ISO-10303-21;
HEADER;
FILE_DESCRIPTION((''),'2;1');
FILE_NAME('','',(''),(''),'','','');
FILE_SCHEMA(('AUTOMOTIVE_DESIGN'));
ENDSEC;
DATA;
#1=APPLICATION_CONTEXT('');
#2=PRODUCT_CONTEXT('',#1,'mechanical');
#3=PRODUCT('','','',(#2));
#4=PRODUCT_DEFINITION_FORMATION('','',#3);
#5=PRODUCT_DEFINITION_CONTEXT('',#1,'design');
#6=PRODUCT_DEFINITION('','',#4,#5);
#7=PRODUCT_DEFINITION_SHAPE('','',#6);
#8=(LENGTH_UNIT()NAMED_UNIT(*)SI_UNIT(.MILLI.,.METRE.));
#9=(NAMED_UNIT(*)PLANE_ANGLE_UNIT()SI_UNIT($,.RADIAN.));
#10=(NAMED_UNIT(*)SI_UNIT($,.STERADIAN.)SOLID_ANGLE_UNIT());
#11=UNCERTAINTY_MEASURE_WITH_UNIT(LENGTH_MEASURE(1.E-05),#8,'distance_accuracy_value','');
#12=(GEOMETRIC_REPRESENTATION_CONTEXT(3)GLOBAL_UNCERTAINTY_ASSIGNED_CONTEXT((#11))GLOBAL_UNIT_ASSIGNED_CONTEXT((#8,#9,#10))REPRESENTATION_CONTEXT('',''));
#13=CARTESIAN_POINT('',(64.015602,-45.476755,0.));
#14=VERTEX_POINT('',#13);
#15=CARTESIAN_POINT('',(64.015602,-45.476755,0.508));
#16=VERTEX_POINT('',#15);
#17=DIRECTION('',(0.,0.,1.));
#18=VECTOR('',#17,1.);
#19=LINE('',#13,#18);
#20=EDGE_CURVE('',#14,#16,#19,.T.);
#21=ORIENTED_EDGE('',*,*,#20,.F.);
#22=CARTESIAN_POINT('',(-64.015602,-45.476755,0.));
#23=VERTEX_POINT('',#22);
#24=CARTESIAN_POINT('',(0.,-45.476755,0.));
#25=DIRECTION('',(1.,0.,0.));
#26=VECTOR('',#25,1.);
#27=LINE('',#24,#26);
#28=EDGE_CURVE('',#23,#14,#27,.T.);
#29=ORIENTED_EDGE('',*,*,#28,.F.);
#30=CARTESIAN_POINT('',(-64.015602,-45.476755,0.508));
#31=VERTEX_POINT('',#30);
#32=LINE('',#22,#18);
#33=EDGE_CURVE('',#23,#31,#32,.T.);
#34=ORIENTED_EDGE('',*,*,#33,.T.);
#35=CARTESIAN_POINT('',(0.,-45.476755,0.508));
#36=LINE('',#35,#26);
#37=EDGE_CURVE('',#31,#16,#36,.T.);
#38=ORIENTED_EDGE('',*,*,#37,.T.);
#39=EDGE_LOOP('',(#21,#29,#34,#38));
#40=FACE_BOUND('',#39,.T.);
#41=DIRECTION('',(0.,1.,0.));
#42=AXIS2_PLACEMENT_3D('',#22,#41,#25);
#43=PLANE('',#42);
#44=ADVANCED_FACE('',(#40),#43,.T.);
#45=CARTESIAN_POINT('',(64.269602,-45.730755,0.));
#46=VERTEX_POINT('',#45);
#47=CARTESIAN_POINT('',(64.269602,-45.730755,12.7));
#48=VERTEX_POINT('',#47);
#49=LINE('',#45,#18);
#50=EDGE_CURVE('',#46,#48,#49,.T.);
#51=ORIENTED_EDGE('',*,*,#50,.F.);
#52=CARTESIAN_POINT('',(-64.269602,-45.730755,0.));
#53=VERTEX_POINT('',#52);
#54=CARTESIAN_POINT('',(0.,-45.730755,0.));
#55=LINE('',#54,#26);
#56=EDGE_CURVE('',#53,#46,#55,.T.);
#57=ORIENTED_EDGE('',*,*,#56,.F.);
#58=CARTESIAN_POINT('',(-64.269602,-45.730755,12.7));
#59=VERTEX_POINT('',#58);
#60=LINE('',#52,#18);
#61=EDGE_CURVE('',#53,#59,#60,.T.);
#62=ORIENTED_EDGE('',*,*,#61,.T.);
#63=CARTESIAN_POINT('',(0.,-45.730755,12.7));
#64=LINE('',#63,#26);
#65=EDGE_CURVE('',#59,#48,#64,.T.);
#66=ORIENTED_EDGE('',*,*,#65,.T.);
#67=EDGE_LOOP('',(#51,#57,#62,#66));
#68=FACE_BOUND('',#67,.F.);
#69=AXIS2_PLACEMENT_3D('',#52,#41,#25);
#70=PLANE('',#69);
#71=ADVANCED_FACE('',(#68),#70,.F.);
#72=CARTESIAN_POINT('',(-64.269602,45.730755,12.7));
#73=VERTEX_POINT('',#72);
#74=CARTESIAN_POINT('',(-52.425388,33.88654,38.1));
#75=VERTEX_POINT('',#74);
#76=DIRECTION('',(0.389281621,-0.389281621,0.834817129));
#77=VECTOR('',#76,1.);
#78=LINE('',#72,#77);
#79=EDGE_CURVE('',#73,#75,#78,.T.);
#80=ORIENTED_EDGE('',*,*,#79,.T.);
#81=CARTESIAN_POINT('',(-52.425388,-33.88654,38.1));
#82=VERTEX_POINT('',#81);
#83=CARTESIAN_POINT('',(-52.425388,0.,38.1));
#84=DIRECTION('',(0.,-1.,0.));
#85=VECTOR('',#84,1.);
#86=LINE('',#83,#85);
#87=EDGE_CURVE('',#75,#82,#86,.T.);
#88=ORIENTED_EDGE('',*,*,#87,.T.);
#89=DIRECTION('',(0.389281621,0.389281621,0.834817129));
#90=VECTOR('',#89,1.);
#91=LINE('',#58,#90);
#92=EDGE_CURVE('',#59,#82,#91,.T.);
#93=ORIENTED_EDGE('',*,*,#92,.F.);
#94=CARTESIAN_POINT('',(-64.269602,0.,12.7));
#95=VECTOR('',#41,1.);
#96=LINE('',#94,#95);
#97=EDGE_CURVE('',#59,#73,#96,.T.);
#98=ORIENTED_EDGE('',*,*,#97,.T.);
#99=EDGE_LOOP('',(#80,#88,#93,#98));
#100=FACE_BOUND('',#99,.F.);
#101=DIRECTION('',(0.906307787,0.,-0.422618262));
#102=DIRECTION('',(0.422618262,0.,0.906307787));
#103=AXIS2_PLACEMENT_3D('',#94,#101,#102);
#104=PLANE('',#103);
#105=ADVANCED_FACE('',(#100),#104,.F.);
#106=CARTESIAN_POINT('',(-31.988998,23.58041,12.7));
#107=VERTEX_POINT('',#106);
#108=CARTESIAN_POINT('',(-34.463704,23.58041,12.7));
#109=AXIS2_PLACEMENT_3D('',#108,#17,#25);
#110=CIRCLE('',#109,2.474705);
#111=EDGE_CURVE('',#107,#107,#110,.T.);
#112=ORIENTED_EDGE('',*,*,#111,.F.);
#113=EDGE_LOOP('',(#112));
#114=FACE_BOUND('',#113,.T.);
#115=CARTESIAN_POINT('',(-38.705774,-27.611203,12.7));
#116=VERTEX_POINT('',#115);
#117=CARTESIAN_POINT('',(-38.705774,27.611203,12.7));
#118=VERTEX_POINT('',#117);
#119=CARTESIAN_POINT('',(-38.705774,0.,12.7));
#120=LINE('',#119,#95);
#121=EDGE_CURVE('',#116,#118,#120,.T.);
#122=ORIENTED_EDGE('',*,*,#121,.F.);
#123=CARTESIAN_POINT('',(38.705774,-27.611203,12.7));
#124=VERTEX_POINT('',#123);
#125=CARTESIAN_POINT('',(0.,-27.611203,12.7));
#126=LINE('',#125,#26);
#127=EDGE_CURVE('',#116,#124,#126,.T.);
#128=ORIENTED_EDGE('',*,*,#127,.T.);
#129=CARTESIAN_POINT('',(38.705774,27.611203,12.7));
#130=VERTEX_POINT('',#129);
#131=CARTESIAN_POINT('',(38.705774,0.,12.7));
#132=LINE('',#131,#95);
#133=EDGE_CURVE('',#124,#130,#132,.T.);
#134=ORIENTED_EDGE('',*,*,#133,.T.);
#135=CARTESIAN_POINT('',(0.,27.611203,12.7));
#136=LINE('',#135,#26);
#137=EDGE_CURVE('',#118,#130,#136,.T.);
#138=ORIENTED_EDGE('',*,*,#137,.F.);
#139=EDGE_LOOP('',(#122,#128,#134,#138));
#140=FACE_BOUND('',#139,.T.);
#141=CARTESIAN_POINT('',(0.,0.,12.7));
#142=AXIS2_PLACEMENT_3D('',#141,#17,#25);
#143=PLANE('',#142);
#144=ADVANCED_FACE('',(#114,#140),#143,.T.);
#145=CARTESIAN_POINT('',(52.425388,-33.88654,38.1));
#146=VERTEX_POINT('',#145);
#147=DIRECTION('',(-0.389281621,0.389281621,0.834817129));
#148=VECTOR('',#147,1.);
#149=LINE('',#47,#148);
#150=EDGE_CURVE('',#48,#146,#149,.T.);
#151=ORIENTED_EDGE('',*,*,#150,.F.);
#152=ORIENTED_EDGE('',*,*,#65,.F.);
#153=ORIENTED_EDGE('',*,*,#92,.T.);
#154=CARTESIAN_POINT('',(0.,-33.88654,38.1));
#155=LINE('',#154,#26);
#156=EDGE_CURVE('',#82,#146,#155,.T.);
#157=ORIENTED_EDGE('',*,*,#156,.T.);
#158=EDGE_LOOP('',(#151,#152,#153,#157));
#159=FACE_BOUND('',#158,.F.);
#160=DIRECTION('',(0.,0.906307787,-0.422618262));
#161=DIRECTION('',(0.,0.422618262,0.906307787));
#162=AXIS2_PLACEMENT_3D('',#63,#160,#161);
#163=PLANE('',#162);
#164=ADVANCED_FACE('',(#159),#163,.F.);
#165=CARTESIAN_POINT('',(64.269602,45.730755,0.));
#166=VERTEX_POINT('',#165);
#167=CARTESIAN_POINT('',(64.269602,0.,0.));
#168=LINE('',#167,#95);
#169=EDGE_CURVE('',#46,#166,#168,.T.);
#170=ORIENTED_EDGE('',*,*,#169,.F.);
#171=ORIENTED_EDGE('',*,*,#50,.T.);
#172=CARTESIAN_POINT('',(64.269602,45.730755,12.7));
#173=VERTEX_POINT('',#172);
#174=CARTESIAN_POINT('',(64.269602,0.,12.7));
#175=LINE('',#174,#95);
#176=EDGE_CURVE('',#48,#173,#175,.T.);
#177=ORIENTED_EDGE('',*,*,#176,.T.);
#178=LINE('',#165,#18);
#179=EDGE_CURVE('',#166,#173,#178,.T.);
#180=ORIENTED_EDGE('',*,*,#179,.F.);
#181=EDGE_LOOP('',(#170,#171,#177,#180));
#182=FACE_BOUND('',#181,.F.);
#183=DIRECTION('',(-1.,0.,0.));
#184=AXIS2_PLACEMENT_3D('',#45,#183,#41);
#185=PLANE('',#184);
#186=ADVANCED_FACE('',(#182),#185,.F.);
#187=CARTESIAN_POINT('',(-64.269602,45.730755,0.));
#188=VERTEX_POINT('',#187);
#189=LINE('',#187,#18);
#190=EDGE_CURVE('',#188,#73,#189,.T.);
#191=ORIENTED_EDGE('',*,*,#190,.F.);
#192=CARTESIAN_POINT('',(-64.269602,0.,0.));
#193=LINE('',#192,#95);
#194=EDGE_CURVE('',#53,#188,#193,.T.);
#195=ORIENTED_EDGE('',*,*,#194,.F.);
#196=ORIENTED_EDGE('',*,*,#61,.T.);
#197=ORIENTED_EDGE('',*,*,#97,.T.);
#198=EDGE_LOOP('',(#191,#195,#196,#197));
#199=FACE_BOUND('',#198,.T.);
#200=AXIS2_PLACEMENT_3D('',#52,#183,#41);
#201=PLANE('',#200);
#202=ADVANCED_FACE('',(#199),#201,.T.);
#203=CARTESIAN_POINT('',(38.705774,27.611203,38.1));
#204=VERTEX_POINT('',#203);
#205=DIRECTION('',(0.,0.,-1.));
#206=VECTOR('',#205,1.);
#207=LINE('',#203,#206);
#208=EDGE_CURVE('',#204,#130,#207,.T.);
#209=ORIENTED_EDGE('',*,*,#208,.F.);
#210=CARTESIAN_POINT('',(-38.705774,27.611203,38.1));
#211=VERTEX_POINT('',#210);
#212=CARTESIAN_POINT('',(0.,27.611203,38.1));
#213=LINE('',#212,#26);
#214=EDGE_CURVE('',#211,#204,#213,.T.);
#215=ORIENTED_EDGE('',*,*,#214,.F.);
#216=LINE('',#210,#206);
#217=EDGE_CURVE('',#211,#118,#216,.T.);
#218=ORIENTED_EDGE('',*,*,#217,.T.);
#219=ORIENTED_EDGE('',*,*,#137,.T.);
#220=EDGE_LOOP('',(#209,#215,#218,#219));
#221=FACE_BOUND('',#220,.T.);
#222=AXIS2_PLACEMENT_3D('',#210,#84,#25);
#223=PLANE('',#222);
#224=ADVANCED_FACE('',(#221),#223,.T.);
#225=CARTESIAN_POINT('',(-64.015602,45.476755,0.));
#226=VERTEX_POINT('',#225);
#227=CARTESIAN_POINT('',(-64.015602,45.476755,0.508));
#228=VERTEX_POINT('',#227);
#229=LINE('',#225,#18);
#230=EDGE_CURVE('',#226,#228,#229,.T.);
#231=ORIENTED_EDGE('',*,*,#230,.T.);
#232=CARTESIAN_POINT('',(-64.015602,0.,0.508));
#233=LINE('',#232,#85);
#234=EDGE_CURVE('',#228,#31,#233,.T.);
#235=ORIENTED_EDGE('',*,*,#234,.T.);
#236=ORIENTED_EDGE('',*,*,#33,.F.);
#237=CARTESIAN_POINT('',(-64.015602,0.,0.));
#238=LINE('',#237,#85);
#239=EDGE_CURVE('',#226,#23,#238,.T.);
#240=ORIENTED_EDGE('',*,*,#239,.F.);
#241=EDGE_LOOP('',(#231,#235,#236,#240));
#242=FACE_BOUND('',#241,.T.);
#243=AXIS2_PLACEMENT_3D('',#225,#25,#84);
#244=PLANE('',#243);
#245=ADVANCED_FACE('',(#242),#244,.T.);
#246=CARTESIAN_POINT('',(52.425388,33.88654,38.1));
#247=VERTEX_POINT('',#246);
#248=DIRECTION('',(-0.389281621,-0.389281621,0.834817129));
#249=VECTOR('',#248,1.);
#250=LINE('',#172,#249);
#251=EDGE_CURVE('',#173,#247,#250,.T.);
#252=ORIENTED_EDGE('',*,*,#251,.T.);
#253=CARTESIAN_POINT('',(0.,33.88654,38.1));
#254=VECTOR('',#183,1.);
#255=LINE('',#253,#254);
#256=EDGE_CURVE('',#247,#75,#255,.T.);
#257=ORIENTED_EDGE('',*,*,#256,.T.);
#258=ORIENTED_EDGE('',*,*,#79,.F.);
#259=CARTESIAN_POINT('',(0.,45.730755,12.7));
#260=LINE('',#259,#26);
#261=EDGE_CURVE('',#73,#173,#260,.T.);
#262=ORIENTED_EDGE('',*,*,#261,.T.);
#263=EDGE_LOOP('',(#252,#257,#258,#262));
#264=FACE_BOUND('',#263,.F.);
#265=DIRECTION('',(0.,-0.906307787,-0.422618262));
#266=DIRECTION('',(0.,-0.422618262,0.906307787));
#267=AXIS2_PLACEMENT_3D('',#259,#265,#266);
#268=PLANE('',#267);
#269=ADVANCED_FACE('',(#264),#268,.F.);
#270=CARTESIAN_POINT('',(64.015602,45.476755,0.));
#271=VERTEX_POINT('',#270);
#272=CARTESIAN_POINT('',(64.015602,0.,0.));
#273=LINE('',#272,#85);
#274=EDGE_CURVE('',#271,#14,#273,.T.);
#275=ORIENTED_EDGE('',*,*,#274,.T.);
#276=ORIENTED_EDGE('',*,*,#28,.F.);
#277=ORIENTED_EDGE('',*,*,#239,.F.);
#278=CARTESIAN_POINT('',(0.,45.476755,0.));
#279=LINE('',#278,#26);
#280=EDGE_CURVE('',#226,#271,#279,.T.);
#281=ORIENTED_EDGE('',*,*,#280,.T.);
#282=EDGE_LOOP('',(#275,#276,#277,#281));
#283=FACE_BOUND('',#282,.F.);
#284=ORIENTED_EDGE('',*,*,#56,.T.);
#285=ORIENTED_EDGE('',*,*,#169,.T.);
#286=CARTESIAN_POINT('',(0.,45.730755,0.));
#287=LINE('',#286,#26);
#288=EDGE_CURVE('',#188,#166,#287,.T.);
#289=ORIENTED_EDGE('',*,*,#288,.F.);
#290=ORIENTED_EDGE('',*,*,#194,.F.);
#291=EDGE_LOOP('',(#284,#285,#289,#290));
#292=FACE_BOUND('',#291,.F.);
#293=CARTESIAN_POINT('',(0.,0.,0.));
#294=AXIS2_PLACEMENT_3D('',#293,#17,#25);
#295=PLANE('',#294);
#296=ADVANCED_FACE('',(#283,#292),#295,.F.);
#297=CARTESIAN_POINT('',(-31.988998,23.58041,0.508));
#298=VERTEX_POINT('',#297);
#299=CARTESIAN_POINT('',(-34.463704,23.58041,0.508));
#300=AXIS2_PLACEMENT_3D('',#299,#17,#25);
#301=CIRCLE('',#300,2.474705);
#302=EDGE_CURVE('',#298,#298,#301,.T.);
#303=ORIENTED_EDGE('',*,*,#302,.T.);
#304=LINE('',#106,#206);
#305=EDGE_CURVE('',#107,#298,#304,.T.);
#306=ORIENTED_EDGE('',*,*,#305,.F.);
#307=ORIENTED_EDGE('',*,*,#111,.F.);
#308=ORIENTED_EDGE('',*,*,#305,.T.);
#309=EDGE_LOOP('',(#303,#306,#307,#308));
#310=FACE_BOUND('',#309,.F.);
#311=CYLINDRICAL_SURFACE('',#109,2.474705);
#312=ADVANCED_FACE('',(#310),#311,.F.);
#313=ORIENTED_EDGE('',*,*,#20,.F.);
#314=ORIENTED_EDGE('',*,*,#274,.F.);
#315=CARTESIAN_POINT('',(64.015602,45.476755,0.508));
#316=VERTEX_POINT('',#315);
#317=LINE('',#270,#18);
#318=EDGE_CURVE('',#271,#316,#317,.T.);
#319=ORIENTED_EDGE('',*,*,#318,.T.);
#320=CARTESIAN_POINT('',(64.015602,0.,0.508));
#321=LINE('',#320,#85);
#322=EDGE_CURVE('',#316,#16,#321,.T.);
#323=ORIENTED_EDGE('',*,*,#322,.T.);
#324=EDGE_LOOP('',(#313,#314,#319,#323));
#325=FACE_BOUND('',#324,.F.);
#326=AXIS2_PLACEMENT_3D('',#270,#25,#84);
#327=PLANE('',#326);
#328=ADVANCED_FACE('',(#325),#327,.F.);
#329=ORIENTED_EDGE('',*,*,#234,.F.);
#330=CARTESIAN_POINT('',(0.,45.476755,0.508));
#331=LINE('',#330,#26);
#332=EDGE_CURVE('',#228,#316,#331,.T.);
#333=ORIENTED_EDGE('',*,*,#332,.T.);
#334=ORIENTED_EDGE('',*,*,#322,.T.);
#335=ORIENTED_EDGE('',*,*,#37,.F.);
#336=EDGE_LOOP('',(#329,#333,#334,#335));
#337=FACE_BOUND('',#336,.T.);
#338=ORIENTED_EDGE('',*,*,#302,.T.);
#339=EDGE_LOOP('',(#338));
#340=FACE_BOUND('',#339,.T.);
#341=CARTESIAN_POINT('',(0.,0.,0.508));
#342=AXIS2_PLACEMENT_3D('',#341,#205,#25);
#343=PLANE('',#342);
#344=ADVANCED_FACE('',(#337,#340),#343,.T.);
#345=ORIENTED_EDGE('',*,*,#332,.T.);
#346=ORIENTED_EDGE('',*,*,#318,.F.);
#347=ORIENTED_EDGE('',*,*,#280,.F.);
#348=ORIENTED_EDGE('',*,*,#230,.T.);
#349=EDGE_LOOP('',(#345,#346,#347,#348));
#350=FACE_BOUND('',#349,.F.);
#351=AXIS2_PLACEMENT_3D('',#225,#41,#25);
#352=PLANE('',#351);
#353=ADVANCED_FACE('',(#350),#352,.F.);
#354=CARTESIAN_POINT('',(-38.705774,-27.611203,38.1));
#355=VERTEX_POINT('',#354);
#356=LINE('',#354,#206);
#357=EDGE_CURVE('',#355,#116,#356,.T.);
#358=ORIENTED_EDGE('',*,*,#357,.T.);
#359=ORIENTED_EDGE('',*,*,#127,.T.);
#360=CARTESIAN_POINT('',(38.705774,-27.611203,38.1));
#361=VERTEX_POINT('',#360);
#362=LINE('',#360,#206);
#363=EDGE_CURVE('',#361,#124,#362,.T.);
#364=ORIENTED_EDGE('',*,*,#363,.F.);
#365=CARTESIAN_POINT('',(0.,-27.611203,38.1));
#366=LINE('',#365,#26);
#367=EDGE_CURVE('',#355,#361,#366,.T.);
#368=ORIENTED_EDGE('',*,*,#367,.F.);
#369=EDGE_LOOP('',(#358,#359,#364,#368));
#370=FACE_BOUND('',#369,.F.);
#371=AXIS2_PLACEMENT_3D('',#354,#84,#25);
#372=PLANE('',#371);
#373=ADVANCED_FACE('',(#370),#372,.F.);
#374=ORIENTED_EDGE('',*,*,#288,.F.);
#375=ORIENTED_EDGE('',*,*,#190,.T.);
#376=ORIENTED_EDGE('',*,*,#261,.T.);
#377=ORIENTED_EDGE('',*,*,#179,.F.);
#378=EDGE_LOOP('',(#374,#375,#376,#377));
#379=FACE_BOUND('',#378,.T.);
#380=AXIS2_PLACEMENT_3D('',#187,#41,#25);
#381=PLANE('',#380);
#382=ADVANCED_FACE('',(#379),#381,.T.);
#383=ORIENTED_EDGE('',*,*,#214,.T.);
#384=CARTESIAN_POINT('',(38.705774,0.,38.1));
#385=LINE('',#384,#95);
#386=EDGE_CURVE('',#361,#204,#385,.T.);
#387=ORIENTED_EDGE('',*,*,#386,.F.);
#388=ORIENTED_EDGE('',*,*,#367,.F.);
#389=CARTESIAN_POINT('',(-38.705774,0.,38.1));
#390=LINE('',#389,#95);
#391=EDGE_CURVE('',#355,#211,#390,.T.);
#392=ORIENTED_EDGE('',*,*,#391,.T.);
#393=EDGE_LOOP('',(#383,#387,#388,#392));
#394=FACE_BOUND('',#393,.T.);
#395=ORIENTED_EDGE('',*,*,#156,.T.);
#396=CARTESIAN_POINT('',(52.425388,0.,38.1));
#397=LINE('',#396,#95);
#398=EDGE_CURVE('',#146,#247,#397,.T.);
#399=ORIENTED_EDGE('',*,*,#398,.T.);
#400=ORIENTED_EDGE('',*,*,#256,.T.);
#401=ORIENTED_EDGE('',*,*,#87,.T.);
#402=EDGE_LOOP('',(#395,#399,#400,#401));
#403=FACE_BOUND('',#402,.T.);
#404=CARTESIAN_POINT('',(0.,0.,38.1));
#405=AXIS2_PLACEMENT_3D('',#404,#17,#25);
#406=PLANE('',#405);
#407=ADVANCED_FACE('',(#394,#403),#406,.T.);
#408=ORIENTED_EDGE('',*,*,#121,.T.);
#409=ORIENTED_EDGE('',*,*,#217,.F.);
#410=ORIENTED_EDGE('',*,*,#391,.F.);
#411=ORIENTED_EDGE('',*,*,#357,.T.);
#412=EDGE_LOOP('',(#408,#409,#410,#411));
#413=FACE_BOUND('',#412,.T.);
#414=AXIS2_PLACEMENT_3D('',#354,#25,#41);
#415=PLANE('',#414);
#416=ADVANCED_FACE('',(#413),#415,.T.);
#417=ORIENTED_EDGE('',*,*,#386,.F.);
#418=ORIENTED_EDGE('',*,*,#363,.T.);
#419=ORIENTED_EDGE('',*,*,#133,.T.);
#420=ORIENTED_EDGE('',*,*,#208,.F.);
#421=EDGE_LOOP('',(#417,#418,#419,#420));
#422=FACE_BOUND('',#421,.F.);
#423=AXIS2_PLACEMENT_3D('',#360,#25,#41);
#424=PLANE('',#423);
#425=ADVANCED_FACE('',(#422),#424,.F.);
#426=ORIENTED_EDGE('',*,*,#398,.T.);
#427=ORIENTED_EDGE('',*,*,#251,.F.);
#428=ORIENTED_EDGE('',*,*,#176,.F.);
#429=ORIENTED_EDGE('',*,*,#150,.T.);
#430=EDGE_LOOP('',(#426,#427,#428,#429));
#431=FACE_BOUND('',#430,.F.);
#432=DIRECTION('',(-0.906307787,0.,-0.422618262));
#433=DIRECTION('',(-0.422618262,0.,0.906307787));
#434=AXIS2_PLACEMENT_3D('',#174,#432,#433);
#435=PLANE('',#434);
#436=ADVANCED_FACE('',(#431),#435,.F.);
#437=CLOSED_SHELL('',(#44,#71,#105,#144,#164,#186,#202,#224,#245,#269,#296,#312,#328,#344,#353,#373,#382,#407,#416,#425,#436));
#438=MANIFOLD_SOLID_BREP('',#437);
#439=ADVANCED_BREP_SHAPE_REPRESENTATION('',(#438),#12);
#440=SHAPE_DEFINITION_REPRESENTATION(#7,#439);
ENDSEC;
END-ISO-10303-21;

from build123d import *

# Parameters (mm, degrees)
F0_W      = 128.5392045975
F0_H      = 91.4615094662
F1_DEPTH  = 12.7
F1_FACE_W = 128.5392045975
F1_FACE_H = 91.4615094662
F2_DEPTH  = 25.4
F2_TAPER  = 25
F3_W      = 128.0312045975
F3_H      = 90.9535094662
F4_DEPTH  = 0.508
F5_W      = 77.4115473032
F5_H      = 55.2224069834
F6_DEPTH  = 25.4
F7_R      = 2.4747052008
F8_DEPTH  = 45.573990792


with BuildPart() as f1:
    # F0 (on Top) → F1 (new body)
    with BuildSketch(Plane.XY):
        Rectangle(F0_W, F0_H)
    extrude(amount=F1_DEPTH)

    # F1_face (on face) → F2 (join)
    with BuildSketch(Plane.XY.offset(12.7)):
        Rectangle(F1_FACE_W, F1_FACE_H)
    extrude(amount=F2_DEPTH, taper=F2_TAPER)

    # F3 (on face) → F4 (cut)
    with BuildSketch(Plane(origin=(0, 0, 0), x_dir=(1, 0, 0), z_dir=(0, 0, -1))):
        Rectangle(F3_W, F3_H)
    extrude(amount=-F4_DEPTH, mode=Mode.SUBTRACT)

    # F5 (on face) → F6 (cut)
    with BuildSketch(Plane.XY.offset(38.1)):
        Rectangle(F5_W, F5_H)
    extrude(amount=-F6_DEPTH, mode=Mode.SUBTRACT)

    # F7 (on face) → F8 (cut)
    with BuildSketch(Plane.XY.offset(12.7)):
        with Locations((-34.4637036324, 23.5804095864)):
            Circle(F7_R)
    extrude(amount=-F8_DEPTH, mode=Mode.SUBTRACT)


solid = f1.part
